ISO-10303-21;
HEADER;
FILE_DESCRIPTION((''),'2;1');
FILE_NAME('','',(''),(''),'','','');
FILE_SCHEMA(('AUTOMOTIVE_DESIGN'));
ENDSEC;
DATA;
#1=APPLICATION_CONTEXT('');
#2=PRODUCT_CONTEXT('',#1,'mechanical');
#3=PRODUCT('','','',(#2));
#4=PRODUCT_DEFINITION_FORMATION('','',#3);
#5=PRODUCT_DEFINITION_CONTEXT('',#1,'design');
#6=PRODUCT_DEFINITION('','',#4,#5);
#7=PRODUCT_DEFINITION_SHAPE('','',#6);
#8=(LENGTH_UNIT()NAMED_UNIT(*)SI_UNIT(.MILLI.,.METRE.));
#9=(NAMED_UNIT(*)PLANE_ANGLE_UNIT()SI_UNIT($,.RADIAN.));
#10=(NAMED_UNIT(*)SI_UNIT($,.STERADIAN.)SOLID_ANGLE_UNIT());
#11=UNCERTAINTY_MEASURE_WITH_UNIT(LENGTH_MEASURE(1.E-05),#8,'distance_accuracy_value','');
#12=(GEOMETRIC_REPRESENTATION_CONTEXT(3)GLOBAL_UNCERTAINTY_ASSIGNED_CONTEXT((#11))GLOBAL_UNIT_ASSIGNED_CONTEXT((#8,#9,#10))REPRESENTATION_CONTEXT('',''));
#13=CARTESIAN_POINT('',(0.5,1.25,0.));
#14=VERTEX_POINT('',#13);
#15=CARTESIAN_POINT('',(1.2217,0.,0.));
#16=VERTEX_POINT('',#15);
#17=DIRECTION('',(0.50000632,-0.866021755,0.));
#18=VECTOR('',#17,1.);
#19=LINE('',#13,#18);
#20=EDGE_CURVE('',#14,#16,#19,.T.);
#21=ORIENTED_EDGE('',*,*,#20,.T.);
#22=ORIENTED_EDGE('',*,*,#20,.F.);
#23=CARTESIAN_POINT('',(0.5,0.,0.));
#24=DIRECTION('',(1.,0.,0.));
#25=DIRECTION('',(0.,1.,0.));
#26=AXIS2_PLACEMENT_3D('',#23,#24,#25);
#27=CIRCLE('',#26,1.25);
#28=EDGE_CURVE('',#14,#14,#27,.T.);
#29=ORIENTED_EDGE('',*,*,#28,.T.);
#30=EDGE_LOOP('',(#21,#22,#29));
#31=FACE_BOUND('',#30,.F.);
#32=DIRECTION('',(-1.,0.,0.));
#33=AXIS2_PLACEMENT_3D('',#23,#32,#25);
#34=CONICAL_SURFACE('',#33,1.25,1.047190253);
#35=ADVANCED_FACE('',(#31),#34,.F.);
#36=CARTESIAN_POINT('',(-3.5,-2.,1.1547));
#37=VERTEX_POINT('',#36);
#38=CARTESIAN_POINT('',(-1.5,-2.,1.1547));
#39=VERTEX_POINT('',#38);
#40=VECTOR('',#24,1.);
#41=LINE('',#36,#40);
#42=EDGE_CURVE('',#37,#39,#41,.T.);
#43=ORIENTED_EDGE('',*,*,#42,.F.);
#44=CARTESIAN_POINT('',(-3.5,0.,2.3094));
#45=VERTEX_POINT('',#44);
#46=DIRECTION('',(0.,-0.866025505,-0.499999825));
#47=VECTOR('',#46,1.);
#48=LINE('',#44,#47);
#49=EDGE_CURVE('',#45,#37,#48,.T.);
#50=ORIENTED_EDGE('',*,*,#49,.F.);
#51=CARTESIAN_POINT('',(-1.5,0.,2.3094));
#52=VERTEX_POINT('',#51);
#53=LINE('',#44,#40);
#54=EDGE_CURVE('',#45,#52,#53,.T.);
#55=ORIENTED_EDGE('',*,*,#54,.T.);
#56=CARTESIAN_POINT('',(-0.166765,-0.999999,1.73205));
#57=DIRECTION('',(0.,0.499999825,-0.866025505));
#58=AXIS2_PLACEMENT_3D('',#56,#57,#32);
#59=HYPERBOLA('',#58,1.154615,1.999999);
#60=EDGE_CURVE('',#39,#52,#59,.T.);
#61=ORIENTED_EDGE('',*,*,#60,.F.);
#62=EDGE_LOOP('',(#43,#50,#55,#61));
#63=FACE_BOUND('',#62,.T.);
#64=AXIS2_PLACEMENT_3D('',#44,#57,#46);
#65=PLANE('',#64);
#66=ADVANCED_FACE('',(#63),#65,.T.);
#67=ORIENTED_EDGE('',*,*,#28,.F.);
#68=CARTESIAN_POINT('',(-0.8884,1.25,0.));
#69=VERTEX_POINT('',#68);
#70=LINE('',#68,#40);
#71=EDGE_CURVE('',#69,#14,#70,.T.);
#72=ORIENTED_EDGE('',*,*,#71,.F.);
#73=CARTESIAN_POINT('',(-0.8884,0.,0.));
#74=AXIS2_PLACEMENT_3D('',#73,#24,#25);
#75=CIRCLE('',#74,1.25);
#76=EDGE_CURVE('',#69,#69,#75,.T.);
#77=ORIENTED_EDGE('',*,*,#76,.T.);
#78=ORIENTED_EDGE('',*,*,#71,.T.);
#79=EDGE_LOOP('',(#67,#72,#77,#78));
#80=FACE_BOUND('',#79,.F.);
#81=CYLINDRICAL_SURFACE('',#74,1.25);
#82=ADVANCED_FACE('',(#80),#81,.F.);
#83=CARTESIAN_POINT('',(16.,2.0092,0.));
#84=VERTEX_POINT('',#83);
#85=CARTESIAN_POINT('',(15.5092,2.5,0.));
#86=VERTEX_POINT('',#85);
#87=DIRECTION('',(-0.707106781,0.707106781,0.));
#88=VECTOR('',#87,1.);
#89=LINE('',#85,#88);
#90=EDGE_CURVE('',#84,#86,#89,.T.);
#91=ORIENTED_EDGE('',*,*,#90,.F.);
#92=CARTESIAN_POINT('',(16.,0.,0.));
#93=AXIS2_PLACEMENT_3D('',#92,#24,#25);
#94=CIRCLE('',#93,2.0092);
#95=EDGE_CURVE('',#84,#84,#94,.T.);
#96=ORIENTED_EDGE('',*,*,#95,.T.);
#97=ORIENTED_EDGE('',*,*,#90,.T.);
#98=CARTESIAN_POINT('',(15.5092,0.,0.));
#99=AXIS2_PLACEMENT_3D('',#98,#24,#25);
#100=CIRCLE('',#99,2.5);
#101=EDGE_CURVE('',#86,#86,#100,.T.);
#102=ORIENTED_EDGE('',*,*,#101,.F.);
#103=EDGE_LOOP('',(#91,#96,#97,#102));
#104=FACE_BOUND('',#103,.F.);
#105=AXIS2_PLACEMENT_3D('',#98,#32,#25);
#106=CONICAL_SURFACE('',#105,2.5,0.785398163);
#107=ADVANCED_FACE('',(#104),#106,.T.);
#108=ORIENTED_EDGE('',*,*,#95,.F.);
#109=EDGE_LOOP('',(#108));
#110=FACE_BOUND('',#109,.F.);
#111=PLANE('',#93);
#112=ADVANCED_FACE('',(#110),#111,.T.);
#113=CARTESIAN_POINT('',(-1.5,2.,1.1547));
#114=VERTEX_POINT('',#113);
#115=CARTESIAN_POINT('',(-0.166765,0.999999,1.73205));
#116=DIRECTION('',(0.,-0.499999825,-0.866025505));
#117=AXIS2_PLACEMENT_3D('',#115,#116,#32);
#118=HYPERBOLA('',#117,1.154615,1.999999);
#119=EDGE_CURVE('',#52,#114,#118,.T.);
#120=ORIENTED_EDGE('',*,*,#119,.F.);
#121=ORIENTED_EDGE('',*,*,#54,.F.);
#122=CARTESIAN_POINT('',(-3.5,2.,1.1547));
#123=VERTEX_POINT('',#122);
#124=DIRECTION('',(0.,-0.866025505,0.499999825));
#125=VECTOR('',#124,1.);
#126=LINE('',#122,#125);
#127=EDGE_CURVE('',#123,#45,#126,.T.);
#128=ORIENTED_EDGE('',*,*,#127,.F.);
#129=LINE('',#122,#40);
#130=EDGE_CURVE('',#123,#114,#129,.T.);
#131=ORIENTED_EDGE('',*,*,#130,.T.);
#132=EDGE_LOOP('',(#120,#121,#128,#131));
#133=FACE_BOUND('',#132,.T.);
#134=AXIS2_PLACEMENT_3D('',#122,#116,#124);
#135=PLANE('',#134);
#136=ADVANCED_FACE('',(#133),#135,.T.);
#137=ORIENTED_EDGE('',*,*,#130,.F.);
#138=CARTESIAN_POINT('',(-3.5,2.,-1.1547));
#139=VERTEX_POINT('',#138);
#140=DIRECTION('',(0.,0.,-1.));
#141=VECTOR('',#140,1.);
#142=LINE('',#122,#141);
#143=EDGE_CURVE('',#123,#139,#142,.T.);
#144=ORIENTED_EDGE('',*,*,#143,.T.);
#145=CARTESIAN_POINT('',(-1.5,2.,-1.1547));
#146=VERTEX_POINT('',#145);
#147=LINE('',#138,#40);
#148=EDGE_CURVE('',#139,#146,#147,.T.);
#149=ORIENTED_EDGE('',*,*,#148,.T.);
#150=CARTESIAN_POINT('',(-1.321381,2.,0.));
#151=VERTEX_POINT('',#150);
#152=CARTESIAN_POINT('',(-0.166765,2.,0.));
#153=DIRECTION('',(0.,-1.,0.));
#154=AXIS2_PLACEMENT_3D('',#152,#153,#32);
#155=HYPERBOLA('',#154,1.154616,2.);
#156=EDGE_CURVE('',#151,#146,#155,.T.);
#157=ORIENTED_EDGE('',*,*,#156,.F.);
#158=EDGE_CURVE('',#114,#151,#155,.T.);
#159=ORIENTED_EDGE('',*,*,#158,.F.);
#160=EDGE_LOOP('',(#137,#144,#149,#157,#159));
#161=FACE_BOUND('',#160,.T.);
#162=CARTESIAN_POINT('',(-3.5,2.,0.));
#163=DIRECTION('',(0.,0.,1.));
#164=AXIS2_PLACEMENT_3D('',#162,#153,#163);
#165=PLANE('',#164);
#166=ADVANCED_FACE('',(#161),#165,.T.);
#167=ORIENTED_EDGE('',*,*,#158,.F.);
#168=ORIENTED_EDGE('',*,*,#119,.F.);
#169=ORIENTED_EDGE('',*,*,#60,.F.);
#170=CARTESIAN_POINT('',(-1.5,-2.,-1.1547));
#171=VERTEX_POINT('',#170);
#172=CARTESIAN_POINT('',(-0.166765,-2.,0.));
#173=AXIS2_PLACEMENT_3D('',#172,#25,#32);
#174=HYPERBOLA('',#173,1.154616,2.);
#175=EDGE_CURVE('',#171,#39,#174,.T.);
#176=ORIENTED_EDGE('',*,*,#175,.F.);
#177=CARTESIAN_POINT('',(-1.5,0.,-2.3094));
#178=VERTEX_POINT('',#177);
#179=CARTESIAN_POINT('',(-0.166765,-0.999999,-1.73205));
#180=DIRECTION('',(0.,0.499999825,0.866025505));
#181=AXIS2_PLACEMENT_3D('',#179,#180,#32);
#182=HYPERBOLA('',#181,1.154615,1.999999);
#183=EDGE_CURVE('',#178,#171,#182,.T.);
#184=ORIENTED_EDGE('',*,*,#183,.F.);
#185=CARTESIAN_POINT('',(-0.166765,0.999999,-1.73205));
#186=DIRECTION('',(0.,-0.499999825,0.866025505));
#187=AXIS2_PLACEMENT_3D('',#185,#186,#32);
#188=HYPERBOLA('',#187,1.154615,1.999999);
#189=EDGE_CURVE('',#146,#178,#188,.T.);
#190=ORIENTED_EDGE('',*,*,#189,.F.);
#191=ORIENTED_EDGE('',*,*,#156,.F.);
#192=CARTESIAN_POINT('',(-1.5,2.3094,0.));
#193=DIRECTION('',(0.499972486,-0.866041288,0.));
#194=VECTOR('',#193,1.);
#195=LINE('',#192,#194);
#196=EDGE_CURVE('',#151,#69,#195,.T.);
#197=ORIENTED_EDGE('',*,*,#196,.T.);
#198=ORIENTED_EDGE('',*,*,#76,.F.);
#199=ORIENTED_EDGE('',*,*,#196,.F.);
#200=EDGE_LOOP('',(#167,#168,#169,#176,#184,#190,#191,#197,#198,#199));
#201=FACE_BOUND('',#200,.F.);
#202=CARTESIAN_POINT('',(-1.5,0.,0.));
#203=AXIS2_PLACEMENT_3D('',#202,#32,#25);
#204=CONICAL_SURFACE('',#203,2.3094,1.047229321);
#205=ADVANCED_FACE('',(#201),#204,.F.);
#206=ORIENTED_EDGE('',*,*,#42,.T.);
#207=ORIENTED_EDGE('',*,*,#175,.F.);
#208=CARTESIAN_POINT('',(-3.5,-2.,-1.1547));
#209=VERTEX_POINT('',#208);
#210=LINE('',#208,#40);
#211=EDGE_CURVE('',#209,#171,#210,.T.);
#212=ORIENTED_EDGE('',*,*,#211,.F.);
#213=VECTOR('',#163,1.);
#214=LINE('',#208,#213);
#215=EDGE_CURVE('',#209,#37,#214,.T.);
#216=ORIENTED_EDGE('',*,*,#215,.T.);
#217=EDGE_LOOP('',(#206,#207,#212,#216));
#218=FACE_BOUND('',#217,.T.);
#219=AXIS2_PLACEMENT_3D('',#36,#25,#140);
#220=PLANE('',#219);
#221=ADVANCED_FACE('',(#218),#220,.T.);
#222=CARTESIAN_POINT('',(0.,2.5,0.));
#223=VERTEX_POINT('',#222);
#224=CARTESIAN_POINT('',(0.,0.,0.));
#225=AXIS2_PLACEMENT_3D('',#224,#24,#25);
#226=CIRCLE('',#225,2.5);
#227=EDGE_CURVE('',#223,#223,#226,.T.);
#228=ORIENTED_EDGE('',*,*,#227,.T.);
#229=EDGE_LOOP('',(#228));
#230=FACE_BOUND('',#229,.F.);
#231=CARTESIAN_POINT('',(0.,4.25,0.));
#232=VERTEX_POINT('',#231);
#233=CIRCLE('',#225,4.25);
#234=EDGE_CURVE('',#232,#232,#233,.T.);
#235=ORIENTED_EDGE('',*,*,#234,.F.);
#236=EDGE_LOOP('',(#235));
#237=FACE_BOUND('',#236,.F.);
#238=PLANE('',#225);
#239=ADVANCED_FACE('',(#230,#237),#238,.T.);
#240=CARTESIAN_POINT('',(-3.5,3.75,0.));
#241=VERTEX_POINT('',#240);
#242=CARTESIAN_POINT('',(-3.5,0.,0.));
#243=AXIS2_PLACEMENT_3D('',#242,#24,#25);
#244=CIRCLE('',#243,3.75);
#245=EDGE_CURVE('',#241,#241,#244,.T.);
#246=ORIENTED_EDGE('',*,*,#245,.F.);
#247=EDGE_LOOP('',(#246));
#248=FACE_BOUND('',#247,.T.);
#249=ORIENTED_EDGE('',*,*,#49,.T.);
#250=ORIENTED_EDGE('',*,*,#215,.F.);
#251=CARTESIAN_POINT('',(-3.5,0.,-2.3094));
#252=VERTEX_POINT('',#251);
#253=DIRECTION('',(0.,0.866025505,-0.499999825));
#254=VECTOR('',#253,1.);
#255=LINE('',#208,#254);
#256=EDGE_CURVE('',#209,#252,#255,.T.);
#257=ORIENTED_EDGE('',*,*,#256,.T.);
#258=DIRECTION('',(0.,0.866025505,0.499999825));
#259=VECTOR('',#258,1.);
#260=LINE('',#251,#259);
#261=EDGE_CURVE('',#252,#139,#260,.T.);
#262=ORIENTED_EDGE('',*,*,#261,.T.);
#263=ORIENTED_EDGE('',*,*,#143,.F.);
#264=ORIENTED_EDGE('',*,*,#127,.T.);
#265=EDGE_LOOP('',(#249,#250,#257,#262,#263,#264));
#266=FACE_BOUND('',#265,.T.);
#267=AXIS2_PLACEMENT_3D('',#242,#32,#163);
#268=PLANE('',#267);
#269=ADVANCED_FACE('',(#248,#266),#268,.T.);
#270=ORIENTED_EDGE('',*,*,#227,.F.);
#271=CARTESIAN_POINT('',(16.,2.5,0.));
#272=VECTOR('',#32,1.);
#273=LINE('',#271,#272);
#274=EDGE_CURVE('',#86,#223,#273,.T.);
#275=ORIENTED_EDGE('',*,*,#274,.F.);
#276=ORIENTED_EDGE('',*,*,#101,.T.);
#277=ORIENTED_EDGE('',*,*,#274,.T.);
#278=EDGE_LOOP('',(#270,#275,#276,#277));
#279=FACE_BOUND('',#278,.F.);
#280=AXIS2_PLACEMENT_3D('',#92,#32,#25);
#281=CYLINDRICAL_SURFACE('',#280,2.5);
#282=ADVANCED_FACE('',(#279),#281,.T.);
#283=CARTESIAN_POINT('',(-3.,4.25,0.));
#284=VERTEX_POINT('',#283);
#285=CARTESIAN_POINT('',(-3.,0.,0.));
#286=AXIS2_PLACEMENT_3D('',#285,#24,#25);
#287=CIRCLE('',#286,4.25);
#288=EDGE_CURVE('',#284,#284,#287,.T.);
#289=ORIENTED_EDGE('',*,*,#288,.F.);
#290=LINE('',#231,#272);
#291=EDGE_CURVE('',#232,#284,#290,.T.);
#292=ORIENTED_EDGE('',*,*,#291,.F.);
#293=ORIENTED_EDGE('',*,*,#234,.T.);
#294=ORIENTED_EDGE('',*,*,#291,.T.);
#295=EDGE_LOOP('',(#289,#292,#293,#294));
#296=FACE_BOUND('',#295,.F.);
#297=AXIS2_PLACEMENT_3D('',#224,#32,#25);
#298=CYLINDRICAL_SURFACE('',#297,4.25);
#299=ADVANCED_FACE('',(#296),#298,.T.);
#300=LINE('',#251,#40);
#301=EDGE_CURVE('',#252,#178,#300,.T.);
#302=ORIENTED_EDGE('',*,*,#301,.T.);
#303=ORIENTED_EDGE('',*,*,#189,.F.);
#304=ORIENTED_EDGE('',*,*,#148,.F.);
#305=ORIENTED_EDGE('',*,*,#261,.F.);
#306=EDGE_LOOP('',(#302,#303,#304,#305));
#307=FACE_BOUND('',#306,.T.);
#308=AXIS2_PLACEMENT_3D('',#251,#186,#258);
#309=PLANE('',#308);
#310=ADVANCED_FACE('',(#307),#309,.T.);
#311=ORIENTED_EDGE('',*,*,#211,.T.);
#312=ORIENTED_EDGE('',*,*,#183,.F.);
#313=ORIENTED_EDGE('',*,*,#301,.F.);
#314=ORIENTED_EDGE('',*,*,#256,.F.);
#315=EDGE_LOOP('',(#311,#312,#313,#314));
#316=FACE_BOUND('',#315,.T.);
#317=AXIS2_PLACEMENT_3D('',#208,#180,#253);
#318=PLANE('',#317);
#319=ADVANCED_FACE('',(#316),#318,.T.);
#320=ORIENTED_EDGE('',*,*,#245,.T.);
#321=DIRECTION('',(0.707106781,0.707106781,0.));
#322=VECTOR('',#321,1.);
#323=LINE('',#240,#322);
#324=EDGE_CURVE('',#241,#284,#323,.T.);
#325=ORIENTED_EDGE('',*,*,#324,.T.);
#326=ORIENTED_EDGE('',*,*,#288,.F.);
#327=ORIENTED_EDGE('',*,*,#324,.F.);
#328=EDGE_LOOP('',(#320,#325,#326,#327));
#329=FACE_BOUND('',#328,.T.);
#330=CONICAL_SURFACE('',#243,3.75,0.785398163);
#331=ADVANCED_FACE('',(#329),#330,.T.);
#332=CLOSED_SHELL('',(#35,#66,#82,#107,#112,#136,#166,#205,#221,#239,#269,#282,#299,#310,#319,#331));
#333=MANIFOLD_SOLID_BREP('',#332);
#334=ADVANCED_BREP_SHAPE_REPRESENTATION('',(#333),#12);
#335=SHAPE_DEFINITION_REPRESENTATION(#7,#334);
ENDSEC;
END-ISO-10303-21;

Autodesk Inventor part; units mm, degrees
ref_plane "YZ Plane" through (0, 0, 0) normal (1, 0, 0) x (0, 1, 0)
ref_plane "XZ Plane" through (0, 0, 0) normal (0, 1, 0) x (-1, 0, 0)
sketch "Sketch1" plane through (0, 0, 0) normal (0, 0, 1) x (1, 0, 0)
  line L0 (1.2217, 0) -> (16, 0)
  line L1 (16, 0) -> (16, 2.5)
  line L2 (16, 2.5) -> (0, 2.5)
  line L3 (0, 2.5) -> (0, 4.25)
  line L4 (0, 4.25) -> (-3.5, 4.25)
  line L5 (-3.5, 4.25) -> (-3.5, 2.3094)
  line L6 (-3.5, 2.3094) -> (-1.5, 2.3094)
  line L7 (-1.5, 2.3094) -> (-0.8884, 1.25)
  line L8 (-7.4, 0) -> (19.9, 0) projected
  line L9 (0, -0.85) -> (0, 5.1) projected
  line L10 (-0.8884, 1.25) -> (0.5, 1.25)
  line L11 (0.5, 1.25) -> (1.2217, 0)
  line L12 (-3.5, 2.3094) -> (-3.5, 0) construction
  line L13 (-3.5, 3.75) -> (-3, 4.25)
  dimension "d0" = 3.5
  dimension "d1" = 2
  dimension "d2" = 60
  dimension "d3" = 5
  dimension "d4" = 4.6188
  dimension "d5" = 8.5
  dimension "d15" = 4
  dimension "d16" = 2.5
  dimension "d17" = 16
  dimension "d32" = 45
  dimension "d33" = 0.5
revolve "Body" add sketch "Sketch1" angle 360 about axis through (1.2217, 0, 0) along (1, 0, 0) contours L11 L10 L9 L2 L1 L0 | L10 L7 L6 L5 L13 L4 L3 L9 | L13 L5 L4
revolve "Chamfer2" cut sketch "Sketch1" angle 360 about axis through (-10, 0, 0) along (1, 0, 0) contours L13 L5 L4
sketch "Sketch2" plane through (-3.5, 0, 0) normal (-1, 0, 0) x (0, 0, 1)
  circle A0 centre (0, 0) radius 2.3094 projected
  line L0 (0, -5.95) -> (0, 5.95) projected
  line L1 (-5.95, 0) -> (5.95, 0) projected
  line L2 (2.3094, 0) -> (1.1547, -2)
  line L3 (1.1547, -2) -> (-1.1547, -2)
  line L4 (-1.1547, -2) -> (-2.3094, 0)
  line L5 (-2.3094, 0) -> (-1.1547, 2)
  line L6 (-1.1547, 2) -> (1.1547, 2)
  line L7 (1.1547, 2) -> (2.3094, 0)
extrude "Slot" add sketch "Sketch2" against normal up to next contours L7 A0 | A0 L2 | L6 L0 A0 | A0 L0 L3 | L0 L6 A0 | A0 L3 L0 | L4 A0 | A0 L5
thread "Thread" size "M5x0.8" class "6g" standard "ISO Metric profile" length 11.8
chamfer "Chamfer1" distance 0.4908 distance2 0.4908 1 edges at (16, -2.5, 0) measured on face at (16, -1.1374, -1.1324)
ref_plane "Work Plane1" through (8, 0, 0) normal (0, 0.5, 0.866) x (1, 0, 0)
equation "\"d0\" = KOH"
equation "\"d1\" = INTI"
equation "\"d3\" = GD"
equation "\"d4\" = 1.1547 * SW"
equation "\"d5\" = KOD"
equation "\"d15\" = INFT"
equation "\"d16\" = SDT"
equation "\"d17\" = NLG"
equation "\"d33\" = Cham"
equation "\"d7\" = GEL"
equation "\"d9\" = -0.5 * SPD + 0.5 * GD"
equation "\"d12\" = GUL"
equation "\"GD\" = NND"
equation "\"NLG\" = 16"
equation "\"GEL\" = 11.8"
equation "\"KOD\" = 8.5"
equation "\"KOH\" = 3.5"
equation "\"GUL\" = 0.61345 * PTC"
equation "\"SW\" = 4"
equation "\"INTI\" = 2"
equation "\"SPD\" = NND - 1.2269 * PTC"
equation "\"SDT\" = 2.5"
equation "\"INFT\" = 4"
equation "\"Cham\" = 0.5"
equation "\"TOA\" = 30deg"
equation "\"GD1\" = THREADDIA - 1.2269 * PTC"
equation "\"THREADDIA\" = 5"
equation "\"BDM\" = NND"
equation "\"FAWI\" = 45deg"
equation "\"RR\" = 0.1 * NND"
equation "\"PTC\" = 0.8"
equation "\"NND\" = 5"
equation "\"FAWI1\" = 45deg"
equation "\"GAL\" = 0.61345 * PTC"
equation "\"E0\" = 1.155 * SW"
properties part number "DIN 6912 - M5 x 16" material "Steel, Mild"
